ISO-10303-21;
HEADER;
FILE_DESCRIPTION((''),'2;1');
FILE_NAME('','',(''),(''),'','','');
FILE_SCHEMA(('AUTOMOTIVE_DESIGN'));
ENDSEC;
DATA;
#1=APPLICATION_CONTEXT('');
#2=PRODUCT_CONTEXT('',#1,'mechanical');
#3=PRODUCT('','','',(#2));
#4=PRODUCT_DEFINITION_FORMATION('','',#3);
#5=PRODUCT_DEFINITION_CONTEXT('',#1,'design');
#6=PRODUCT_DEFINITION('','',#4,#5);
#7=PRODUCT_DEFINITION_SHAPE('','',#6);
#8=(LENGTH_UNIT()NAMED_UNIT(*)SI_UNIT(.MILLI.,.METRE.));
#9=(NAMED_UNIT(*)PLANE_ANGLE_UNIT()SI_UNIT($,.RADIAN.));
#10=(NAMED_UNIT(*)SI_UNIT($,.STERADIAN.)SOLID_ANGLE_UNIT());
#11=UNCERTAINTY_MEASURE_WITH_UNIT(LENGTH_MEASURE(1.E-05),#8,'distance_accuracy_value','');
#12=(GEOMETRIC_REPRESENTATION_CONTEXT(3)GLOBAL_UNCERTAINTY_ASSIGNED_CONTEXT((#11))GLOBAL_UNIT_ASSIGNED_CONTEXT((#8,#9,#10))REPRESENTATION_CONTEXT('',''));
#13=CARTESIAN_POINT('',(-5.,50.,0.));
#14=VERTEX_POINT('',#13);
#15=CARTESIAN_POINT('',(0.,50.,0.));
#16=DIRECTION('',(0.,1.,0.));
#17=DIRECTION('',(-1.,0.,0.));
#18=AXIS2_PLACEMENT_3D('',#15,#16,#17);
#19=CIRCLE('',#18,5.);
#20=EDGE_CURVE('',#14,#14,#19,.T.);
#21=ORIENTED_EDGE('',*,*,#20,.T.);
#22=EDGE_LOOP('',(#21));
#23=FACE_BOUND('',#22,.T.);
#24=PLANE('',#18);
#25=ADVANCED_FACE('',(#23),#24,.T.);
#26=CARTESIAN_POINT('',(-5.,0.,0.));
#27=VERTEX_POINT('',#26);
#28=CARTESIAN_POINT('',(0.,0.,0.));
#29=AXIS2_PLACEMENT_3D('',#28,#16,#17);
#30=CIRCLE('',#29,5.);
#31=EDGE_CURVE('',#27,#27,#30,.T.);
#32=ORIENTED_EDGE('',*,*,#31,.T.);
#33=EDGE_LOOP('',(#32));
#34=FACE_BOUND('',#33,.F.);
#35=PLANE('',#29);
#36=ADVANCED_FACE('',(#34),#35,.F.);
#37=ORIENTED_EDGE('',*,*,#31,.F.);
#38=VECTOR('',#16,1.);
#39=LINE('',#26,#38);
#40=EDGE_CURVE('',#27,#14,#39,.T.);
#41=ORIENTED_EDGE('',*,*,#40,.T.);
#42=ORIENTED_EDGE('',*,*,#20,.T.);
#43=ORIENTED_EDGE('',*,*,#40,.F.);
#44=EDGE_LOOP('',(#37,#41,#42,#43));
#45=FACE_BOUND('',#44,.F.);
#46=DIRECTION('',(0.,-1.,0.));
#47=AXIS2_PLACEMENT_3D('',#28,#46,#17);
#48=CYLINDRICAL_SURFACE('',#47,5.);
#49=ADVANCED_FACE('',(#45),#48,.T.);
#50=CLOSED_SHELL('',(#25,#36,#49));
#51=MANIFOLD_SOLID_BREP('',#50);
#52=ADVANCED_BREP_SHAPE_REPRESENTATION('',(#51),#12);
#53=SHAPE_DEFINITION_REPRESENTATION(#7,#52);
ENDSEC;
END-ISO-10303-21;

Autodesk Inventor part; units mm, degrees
ref_plane "YZ Plane" through (0, 0, 0) normal (1, 0, 0) x (0, 1, 0)
ref_plane "XZ Plane" through (0, 0, 0) normal (0, 1, 0) x (-1, 0, 0)
ref_plane "XY Plane" through (0, 0, 0) normal (0, 0, 1) x (1, 0, 0)
sketch "Sketch1" plane through (0, 0, 0) normal (0, 1, 0) x (-1, 0, 0)
  point P0 (0, 0)
sketch "Sketch2" plane through (0, 0, 0) normal (0, 1, 0) x (-1, 0, 0)
  point P0 (0, 0)
sketch "Sketch3" plane through (0, 0, 0) normal (0, 1, 0) x (-1, 0, 0)
  circle A0 centre (0, 0) radius 5
  dimension "d0" = 10
extrude "Extrusion1" add sketch "Sketch3" along normal blind 50
thread "Thread1" size "M8x1.25" class "6g" standard "ANSI Metric M Profile" full length
equation "\"d0\" = Dscrew"
equation "\"Dscrew\" = 10"
properties part number "drive_schaft_8"
